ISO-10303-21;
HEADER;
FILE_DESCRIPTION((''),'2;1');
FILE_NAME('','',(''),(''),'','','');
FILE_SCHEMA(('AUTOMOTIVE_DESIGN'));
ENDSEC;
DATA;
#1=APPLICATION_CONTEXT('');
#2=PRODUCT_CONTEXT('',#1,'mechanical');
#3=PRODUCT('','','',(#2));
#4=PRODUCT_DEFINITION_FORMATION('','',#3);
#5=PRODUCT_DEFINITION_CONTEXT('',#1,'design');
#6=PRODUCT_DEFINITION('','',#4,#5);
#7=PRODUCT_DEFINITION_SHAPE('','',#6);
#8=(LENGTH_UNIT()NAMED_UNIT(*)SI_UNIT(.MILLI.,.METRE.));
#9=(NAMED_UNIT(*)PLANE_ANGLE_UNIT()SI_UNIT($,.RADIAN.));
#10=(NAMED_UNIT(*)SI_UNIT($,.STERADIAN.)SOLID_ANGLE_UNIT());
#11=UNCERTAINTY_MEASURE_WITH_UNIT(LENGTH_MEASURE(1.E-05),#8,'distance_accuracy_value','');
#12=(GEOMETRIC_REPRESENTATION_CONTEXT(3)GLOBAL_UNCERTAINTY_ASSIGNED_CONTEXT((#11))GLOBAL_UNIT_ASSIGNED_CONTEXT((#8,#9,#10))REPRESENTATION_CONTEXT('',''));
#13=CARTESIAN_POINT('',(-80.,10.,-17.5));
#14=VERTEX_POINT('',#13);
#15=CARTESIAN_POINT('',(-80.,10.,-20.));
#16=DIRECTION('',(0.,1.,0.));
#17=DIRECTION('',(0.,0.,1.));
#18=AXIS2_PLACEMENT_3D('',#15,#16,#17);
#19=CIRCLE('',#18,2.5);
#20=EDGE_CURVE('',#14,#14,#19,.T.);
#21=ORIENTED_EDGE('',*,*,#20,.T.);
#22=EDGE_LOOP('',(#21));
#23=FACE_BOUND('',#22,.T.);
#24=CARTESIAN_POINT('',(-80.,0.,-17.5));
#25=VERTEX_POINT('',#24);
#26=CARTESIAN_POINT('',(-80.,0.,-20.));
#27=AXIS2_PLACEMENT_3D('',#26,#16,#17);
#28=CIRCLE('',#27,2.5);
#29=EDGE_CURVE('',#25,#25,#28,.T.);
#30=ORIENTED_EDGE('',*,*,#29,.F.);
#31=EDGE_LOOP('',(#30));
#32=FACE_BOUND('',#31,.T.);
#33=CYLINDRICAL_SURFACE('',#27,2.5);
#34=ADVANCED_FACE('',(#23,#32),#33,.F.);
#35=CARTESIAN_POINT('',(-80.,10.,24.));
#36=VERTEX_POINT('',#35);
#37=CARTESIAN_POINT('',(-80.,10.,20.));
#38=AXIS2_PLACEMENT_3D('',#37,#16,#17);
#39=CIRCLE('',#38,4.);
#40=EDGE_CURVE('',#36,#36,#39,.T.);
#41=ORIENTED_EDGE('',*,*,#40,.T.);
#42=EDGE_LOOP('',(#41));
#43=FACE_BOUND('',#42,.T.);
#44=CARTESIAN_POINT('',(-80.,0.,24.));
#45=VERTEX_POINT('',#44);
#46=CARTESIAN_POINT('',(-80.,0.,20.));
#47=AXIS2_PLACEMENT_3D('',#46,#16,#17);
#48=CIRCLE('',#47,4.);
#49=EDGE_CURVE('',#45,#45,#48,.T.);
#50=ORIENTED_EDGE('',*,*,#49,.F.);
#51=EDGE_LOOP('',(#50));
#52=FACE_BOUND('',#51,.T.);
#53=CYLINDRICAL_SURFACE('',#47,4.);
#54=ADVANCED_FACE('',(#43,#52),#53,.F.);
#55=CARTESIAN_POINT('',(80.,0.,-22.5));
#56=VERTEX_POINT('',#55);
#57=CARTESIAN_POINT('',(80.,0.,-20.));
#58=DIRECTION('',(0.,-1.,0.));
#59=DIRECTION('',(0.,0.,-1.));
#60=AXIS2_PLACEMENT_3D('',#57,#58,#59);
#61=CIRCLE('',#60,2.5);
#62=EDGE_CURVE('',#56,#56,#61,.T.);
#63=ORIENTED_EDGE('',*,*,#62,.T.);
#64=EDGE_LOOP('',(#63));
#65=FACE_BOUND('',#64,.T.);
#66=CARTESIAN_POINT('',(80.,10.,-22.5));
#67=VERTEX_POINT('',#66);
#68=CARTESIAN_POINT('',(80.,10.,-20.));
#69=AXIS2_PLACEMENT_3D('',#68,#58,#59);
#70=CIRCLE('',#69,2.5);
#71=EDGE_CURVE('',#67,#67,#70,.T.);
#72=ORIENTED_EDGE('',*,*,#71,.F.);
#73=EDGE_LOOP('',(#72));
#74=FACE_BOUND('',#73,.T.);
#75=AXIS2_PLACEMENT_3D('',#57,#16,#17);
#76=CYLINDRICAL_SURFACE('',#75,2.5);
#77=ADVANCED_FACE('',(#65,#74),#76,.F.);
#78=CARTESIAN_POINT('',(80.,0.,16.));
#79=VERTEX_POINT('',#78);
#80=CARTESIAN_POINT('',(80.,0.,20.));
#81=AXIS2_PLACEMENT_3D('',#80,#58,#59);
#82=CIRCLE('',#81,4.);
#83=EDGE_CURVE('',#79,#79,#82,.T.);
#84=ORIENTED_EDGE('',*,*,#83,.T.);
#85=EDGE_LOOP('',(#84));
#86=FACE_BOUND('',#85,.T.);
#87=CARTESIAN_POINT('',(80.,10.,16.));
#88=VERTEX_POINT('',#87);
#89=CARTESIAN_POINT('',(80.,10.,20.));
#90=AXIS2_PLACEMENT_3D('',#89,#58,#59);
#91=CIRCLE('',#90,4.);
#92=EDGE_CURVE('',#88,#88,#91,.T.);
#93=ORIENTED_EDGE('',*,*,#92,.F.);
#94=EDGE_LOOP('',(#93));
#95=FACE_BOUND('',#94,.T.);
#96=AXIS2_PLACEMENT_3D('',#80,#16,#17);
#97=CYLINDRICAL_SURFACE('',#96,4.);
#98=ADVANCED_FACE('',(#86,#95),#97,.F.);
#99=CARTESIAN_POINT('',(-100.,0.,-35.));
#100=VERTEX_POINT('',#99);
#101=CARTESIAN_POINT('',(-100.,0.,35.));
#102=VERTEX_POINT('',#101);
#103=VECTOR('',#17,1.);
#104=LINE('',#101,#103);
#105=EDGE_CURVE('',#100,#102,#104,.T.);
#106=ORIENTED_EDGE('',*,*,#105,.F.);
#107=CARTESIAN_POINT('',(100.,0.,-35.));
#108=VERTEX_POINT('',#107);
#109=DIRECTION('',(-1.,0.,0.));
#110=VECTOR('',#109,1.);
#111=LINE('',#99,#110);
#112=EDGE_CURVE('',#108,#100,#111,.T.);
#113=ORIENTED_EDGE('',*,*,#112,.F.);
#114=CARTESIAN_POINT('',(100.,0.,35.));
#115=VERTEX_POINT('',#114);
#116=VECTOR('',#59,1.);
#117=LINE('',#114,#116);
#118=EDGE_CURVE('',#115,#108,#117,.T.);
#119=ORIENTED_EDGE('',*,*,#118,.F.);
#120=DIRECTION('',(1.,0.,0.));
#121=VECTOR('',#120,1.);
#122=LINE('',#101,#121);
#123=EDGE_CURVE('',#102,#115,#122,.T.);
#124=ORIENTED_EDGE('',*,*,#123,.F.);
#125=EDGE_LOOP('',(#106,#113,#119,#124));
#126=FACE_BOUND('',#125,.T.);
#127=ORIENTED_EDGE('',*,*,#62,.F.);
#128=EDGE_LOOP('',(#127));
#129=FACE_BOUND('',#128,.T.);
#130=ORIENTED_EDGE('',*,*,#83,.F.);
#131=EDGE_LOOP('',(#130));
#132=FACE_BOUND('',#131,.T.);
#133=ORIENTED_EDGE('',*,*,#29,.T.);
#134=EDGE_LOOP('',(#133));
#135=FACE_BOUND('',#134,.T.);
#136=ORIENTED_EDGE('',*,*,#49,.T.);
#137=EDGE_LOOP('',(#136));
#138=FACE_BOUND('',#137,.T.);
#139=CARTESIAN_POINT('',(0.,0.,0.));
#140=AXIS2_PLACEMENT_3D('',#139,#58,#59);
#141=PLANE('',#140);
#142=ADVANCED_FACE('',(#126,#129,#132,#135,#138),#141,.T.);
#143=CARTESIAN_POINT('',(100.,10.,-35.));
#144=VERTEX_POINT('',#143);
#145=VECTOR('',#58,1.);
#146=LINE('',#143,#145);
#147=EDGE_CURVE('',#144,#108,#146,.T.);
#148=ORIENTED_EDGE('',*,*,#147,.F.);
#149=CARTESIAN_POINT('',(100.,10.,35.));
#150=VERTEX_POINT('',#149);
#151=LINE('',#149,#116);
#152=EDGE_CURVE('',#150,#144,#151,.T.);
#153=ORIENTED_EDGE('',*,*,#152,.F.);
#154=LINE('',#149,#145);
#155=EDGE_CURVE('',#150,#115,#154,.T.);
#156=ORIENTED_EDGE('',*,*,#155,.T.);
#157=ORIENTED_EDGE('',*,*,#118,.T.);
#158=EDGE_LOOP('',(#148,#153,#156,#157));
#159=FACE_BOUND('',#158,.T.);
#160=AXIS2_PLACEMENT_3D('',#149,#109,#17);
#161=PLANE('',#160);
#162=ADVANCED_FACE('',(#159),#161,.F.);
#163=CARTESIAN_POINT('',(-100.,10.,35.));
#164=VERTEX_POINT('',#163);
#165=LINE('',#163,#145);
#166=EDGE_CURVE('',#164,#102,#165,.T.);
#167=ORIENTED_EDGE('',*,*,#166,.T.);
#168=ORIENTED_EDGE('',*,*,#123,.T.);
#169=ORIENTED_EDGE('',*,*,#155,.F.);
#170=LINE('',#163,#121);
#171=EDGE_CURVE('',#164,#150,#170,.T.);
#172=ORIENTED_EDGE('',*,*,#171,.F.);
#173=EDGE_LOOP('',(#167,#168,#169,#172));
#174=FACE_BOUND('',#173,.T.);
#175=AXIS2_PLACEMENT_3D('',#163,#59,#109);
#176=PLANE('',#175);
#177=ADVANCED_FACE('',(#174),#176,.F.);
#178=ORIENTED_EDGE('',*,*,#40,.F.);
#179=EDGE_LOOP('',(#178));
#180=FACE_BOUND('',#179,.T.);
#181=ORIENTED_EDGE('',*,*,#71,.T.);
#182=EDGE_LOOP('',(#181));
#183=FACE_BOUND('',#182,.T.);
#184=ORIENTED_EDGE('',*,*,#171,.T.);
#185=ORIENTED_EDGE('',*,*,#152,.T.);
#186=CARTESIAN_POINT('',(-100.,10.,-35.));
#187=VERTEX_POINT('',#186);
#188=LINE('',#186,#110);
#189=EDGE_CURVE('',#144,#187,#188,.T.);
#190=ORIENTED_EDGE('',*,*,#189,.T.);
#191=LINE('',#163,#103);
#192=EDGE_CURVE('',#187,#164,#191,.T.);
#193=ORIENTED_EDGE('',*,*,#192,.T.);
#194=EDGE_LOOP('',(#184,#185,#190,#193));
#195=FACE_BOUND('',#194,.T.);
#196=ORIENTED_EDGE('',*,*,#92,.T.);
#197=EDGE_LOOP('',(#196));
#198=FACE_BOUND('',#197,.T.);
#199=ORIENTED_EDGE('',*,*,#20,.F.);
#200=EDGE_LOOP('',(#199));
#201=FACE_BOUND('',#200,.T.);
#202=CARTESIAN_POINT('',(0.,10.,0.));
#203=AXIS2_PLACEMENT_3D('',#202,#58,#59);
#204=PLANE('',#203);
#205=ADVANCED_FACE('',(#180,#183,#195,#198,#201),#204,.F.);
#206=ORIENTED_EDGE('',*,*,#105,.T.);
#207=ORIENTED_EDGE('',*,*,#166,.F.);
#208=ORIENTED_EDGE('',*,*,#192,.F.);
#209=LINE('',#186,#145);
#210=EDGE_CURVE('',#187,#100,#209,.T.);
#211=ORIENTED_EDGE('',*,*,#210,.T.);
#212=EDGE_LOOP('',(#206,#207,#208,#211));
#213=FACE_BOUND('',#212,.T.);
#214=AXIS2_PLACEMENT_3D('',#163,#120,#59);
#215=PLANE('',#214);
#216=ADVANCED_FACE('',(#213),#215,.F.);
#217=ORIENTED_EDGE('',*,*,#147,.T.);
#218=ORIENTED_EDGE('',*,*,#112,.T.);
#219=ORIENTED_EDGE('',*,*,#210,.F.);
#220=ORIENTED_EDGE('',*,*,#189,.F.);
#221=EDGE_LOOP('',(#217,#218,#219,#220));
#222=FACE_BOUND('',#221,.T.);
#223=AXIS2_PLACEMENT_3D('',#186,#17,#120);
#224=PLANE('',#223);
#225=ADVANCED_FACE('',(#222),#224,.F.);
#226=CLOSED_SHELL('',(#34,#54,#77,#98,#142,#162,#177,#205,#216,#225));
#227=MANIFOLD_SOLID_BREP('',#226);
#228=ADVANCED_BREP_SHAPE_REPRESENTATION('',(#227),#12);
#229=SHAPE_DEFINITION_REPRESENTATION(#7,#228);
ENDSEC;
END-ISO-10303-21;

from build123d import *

# Parameters (mm, degrees)
SKETCH1_W           = 200
SKETCH1_H           = 70
BOSS_EXTRUDE1_DEPTH = 10
SKETCH2_R           = 4
CUT_EXTRUDE1_DEPTH  = 10
SKETCH4_R           = 2.5
CUT_EXTRUDE2_DEPTH  = 10


with BuildPart() as part:
    # Sketch1 → Boss-Extrude1 (new body)
    with BuildSketch(Plane(origin=(0, 0, 0), x_dir=(1, 0, 0), z_dir=(0, 1, 0))):
        Rectangle(SKETCH1_W, SKETCH1_H)
    extrude(amount=BOSS_EXTRUDE1_DEPTH)

    # Sketch2 → Cut-Extrude1 (cut)
    with BuildSketch(Plane(origin=(0, 10, 0), x_dir=(1, 0, 0), z_dir=(0, 1, 0))):
        with Locations(Location((-80, -20, 0), (0, 0, 270))):
            Circle(SKETCH2_R)
        with Locations(Location((80, -20, 0), (0, 0, 90))):
            Circle(SKETCH2_R)
    extrude(amount=-CUT_EXTRUDE1_DEPTH, mode=Mode.SUBTRACT)

    # Sketch4 → Cut-Extrude2 (cut)
    with BuildSketch(Plane(origin=(0, 10, 0), x_dir=(1, 0, 0), z_dir=(0, 1, 0))):
        with Locations(Location((-80, 20, 0), (0, 0, 270))):
            Circle(SKETCH4_R)
        with Locations(Location((80, 20, 0), (0, 0, 90))):
            Circle(SKETCH4_R)
    extrude(amount=-CUT_EXTRUDE2_DEPTH, mode=Mode.SUBTRACT)


solid = part.part
